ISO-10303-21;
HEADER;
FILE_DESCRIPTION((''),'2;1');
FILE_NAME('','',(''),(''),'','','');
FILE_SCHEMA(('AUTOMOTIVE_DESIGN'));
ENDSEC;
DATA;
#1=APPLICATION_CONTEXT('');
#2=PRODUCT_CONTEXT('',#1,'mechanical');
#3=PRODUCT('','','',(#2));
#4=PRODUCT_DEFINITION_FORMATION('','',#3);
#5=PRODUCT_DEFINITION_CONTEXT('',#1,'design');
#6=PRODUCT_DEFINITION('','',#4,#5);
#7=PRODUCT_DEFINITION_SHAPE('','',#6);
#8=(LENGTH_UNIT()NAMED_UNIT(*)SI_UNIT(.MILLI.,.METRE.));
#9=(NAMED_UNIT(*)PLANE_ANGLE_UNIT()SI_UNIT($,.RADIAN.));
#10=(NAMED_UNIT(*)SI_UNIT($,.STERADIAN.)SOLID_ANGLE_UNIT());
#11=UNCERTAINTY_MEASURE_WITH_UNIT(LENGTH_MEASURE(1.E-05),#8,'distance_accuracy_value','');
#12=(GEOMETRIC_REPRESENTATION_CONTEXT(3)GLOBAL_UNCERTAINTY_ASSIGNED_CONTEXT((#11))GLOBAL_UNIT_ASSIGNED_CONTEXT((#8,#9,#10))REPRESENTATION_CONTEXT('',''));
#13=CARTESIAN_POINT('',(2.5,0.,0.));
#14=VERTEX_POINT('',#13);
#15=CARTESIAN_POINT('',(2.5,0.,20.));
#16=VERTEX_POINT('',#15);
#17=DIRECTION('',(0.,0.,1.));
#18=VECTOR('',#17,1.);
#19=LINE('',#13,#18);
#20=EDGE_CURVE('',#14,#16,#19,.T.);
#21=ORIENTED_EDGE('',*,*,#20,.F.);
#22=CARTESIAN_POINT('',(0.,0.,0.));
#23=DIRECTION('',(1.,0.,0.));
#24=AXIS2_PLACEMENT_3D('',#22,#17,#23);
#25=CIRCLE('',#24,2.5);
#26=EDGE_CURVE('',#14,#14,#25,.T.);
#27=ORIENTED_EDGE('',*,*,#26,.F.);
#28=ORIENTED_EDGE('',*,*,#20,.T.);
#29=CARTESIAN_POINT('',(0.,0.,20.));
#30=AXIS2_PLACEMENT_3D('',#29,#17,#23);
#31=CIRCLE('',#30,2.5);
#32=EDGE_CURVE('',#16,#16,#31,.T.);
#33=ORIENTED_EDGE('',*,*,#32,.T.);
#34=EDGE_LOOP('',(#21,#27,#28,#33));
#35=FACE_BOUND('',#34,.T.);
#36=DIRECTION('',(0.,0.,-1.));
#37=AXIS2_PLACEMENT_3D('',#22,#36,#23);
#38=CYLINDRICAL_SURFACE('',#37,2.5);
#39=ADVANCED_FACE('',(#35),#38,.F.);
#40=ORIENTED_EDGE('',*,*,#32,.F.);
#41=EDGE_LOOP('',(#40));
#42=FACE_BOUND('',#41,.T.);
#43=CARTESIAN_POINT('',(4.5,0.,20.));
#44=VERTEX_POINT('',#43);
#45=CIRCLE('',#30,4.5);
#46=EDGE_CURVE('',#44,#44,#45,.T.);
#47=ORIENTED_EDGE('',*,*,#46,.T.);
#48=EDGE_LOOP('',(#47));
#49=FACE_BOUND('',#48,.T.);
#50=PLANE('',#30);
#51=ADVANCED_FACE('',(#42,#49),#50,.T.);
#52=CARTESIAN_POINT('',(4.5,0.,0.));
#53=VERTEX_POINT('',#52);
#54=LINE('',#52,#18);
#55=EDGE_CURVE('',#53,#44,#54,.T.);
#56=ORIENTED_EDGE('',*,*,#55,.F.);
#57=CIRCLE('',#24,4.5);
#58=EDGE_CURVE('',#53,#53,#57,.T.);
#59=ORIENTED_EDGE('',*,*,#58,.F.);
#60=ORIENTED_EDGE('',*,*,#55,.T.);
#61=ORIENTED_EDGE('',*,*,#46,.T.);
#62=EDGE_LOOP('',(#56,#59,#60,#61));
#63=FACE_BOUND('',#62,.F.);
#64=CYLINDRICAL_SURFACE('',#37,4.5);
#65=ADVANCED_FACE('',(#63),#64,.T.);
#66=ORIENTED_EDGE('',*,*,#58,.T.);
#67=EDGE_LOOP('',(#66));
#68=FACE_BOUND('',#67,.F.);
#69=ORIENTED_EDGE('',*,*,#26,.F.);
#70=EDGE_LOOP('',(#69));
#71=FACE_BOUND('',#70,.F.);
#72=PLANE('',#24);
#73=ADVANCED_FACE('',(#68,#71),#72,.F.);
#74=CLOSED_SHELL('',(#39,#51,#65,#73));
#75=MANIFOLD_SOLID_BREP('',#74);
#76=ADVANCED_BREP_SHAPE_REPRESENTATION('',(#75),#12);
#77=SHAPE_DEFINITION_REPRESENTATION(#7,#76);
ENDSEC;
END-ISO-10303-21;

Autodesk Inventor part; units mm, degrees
ref_plane "YZ Plane" through (0, 0, 0) normal (1, 0, 0) x (0, 1, 0)
ref_plane "XZ Plane" through (0, 0, 0) normal (0, 1, 0) x (-1, 0, 0)
ref_plane "XY Plane" through (0, 0, 0) normal (0, 0, 1) x (1, 0, 0)
sketch "Szkic1" plane through (0, 0, 0) normal (0, 0, 1) x (1, 0, 0)
  circle A0 centre (0, 0) radius 2.5
  circle A1 centre (0, 0) radius 4.5
  dimension "d0" = 5
  dimension "d1" = 9
extrude "Wyciągnięcie proste1" add sketch "Szkic1" along normal blind 20
properties part number "tuleja_M5_M9_20"
